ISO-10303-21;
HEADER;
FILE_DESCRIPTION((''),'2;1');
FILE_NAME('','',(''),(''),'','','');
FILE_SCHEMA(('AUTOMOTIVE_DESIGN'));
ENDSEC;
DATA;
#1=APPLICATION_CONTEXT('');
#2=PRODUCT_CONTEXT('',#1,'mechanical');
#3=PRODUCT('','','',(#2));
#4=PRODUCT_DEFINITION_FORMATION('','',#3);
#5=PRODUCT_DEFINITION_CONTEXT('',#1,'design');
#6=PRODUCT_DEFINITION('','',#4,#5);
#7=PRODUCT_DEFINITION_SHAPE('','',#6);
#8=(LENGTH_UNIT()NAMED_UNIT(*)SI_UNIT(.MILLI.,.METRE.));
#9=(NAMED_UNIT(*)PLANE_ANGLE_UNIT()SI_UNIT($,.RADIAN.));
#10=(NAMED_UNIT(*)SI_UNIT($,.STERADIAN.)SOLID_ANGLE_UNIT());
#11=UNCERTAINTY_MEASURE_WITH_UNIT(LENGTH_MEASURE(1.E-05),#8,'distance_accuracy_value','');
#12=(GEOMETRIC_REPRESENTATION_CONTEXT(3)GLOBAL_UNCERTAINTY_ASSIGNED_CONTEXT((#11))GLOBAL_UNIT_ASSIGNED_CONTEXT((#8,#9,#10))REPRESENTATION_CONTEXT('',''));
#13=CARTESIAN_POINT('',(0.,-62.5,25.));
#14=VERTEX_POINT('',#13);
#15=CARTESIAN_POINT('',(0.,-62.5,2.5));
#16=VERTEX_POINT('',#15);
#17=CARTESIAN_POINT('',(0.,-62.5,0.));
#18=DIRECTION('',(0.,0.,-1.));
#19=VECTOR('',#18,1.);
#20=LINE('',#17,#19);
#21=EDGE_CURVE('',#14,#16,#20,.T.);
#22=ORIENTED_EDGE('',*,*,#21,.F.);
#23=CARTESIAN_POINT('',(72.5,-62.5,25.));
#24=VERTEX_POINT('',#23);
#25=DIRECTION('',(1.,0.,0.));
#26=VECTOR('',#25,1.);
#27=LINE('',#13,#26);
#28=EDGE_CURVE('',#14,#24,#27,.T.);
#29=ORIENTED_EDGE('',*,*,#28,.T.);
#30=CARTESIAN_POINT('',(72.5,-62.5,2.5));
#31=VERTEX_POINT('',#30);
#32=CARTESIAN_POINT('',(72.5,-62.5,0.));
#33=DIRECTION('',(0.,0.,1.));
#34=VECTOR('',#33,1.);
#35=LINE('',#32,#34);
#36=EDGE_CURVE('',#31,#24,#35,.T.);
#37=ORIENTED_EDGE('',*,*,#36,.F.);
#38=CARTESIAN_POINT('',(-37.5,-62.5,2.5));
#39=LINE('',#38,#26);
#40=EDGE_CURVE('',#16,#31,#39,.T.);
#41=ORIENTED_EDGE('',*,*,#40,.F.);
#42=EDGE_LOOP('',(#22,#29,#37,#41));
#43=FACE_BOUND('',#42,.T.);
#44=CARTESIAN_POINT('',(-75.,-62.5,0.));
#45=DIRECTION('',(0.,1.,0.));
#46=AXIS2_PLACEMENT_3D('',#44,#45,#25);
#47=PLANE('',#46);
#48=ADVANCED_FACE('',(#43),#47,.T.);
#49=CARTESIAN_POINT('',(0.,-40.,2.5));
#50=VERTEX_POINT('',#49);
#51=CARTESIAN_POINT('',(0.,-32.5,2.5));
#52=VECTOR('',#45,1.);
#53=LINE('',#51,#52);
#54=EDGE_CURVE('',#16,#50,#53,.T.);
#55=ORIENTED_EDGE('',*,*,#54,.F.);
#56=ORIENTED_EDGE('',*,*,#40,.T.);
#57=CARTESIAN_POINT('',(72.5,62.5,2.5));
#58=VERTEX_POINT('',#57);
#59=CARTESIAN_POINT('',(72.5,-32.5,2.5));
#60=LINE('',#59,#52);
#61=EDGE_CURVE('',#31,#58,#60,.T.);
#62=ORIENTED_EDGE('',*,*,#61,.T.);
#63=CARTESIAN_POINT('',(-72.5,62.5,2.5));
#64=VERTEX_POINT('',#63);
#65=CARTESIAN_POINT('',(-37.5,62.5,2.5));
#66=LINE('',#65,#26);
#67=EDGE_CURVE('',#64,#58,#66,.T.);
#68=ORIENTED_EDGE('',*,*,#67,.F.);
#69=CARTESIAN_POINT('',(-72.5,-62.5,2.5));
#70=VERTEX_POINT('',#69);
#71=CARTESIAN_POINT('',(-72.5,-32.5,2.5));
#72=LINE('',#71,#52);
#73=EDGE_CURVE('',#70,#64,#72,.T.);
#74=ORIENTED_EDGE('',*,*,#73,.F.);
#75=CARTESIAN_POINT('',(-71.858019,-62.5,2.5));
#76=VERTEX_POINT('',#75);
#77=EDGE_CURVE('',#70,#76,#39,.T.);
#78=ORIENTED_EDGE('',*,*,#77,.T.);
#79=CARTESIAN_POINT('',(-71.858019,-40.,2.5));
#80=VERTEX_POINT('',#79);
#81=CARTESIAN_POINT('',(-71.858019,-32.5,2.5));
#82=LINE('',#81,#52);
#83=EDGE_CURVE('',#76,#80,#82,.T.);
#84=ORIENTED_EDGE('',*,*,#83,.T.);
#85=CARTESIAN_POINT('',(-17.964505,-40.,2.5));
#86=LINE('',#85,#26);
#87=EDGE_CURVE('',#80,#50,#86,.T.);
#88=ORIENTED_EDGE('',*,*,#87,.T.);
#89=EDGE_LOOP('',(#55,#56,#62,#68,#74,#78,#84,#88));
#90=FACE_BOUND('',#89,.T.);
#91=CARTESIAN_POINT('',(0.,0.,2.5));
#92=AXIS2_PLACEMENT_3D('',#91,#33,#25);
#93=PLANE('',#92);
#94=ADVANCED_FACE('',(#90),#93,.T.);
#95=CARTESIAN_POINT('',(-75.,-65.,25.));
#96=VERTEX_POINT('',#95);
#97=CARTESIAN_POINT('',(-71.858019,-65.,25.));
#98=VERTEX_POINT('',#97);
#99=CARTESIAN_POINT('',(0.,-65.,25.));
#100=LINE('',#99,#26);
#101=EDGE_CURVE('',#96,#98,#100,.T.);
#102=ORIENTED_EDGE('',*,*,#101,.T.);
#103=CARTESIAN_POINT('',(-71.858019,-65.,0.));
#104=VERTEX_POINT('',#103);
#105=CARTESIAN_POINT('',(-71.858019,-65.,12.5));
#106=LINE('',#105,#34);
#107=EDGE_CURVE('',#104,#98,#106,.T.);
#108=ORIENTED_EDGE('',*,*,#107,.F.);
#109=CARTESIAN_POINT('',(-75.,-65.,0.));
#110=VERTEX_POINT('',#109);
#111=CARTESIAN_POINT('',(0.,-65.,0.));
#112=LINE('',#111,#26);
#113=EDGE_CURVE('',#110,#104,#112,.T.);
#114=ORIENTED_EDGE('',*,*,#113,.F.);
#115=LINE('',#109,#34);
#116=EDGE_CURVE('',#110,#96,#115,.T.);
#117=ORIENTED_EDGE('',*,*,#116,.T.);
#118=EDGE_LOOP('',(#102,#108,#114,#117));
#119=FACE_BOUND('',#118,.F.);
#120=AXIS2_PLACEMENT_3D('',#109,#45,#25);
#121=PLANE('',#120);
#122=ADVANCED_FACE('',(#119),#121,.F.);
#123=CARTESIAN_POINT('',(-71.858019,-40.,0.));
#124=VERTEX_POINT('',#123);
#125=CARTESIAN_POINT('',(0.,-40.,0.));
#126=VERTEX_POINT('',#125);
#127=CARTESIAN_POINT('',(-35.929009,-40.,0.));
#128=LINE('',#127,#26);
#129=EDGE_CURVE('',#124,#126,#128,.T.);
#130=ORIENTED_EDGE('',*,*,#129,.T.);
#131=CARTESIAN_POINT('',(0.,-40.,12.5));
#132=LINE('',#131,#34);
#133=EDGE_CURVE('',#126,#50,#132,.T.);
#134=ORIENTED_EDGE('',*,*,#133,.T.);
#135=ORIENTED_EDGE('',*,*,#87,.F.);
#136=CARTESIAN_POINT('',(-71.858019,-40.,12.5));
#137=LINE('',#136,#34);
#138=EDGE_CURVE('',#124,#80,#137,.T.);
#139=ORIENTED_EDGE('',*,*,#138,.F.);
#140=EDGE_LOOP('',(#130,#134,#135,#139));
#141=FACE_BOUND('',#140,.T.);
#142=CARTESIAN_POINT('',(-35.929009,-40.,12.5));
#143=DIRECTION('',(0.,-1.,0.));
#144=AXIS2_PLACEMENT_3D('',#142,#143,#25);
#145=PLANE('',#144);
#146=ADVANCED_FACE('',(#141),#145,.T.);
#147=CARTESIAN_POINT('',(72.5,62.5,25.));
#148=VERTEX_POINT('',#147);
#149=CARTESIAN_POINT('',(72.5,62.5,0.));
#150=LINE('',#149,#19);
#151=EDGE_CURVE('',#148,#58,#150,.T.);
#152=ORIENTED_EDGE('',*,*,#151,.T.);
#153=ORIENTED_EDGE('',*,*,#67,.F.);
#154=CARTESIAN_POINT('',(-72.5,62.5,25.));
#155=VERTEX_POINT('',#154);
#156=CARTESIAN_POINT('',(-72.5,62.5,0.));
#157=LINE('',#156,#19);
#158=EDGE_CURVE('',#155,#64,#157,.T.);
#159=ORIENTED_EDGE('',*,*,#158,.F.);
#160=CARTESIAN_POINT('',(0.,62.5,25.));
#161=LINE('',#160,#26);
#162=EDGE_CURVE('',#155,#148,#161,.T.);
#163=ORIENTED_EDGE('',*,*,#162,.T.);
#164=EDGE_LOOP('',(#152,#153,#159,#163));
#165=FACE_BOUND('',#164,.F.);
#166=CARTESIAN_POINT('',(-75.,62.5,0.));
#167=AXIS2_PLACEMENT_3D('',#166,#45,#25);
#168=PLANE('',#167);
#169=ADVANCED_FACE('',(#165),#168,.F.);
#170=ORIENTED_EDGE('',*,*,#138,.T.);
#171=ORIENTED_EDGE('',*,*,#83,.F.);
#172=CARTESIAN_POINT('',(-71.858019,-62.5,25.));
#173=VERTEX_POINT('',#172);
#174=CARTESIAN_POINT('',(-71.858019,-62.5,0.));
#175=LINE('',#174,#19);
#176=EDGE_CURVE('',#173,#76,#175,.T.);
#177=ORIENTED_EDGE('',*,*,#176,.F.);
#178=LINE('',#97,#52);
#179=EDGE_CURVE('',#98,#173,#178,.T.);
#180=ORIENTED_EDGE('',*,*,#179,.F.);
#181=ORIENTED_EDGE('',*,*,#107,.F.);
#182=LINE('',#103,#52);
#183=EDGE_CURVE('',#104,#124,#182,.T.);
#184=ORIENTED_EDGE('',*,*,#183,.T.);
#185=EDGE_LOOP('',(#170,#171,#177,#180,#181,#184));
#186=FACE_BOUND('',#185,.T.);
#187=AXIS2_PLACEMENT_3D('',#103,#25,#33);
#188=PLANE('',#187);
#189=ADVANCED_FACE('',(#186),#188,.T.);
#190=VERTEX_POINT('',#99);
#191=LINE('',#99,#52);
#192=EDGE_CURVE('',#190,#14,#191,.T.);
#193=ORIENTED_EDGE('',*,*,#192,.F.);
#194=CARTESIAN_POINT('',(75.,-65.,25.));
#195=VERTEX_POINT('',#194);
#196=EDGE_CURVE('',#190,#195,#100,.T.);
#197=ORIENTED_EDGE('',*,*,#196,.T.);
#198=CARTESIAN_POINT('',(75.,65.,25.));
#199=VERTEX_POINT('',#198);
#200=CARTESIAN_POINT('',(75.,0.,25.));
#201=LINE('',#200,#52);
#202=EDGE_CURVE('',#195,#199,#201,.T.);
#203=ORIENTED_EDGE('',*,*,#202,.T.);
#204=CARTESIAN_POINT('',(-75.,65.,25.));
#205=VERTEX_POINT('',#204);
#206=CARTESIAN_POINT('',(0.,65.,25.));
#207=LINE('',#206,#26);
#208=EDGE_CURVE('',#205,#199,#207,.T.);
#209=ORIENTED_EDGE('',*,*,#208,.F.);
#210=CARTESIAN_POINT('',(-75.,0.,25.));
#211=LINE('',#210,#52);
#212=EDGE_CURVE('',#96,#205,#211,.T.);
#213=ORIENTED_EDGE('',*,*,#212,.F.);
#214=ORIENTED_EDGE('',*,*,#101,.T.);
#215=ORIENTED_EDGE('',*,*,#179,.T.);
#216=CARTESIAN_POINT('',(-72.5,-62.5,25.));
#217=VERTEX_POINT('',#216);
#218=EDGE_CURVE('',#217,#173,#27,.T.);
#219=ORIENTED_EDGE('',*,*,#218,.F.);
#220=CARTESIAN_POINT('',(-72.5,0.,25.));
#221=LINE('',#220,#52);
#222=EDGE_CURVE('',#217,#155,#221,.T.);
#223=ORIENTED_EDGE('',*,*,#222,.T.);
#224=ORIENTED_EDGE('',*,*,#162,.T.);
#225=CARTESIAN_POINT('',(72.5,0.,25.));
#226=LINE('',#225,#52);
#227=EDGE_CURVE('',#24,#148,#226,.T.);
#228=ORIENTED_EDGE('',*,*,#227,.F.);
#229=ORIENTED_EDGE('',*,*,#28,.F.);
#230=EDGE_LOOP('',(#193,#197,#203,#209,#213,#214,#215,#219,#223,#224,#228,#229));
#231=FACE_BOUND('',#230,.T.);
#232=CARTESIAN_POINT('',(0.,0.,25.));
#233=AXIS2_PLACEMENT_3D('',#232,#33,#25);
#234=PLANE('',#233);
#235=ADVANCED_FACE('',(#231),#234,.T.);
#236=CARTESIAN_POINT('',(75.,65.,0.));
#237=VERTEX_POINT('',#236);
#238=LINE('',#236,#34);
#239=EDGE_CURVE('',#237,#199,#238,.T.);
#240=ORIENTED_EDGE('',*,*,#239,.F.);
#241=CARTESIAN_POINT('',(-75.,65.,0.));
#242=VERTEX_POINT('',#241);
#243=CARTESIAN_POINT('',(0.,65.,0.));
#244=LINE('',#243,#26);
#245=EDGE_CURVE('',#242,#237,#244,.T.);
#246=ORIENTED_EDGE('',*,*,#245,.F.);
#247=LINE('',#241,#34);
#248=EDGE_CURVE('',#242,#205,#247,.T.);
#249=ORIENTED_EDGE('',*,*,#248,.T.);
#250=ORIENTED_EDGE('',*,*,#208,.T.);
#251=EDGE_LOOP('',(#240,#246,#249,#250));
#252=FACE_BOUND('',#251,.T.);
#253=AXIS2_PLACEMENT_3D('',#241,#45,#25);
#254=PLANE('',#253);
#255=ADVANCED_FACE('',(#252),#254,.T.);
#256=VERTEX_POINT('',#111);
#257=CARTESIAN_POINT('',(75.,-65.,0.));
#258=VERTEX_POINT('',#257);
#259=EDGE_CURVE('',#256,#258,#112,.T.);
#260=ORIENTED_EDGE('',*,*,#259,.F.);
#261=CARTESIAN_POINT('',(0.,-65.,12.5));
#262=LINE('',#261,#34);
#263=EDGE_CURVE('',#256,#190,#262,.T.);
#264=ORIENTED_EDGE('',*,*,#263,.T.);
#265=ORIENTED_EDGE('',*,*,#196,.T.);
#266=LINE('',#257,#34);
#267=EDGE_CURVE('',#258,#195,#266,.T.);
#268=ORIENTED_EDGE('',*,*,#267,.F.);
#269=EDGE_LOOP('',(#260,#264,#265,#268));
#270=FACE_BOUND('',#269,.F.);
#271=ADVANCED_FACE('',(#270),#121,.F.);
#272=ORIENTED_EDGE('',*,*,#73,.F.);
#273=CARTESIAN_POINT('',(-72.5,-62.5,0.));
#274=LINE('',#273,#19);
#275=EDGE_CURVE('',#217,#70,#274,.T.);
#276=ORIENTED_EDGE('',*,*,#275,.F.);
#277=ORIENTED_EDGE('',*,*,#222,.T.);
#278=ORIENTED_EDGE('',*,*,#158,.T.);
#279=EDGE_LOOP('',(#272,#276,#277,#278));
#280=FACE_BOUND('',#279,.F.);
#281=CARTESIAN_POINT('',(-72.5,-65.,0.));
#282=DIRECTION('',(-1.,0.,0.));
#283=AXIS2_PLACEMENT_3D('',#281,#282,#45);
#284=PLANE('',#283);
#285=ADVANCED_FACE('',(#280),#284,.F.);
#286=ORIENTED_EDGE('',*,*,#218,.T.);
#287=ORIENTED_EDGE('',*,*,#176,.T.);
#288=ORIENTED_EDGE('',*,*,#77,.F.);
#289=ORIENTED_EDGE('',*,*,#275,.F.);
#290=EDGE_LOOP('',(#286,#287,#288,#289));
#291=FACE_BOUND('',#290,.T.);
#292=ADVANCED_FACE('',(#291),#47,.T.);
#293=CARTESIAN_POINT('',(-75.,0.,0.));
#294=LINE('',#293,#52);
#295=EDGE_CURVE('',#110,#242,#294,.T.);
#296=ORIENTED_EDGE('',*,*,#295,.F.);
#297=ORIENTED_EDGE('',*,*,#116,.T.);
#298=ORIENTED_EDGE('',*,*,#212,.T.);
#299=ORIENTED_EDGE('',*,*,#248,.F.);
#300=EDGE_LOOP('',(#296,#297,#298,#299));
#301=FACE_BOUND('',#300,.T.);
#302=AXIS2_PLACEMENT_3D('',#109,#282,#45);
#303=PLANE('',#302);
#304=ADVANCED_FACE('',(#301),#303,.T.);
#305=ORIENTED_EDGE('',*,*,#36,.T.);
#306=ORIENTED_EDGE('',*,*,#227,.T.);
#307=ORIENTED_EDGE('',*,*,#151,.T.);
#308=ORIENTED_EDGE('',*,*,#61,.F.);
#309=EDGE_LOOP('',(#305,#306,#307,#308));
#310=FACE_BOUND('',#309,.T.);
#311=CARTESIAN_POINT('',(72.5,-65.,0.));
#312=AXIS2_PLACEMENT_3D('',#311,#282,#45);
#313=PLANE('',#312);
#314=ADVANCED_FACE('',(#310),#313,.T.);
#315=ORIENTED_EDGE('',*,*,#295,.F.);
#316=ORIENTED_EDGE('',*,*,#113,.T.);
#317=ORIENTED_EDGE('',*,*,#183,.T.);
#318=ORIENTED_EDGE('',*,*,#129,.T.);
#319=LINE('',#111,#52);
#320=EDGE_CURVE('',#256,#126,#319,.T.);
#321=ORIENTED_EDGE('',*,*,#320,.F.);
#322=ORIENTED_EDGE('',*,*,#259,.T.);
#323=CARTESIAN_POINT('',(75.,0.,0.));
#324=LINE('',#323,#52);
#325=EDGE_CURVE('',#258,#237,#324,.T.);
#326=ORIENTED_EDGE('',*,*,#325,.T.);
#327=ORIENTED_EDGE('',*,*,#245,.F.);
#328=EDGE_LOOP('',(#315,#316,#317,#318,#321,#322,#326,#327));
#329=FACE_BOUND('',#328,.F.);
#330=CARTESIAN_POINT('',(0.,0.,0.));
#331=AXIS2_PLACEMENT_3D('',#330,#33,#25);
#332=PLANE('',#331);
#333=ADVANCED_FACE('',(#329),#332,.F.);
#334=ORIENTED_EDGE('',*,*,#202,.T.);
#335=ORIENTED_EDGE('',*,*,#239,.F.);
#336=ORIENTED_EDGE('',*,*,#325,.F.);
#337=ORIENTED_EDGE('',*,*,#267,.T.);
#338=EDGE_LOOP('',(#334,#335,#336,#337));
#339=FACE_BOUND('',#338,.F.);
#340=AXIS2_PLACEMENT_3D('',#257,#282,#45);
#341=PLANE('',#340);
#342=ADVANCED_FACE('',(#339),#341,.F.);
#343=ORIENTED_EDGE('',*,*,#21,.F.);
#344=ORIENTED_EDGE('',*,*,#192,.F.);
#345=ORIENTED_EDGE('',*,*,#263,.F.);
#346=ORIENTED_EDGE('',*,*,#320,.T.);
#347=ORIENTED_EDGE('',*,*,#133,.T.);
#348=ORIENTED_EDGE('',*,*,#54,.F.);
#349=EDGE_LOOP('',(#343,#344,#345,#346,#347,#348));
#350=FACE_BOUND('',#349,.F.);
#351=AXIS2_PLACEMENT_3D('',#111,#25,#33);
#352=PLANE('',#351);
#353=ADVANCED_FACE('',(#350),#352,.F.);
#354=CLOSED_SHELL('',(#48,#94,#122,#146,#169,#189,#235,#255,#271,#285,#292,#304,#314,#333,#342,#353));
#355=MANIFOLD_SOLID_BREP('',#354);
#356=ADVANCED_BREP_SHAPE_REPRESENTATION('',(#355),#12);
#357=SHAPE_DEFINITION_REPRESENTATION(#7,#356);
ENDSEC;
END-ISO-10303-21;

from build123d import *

# Parameters (mm, degrees)
F0_W     = 150
F0_H     = 130
F1_DEPTH = 25
F2_T     = -2.5
F3_W     = 71.858019
F3_H     = 25
F4_DEPTH = 25


with BuildPart() as f1:
    # F0 (on Top) → F1 (new body)
    with BuildSketch(Plane.XY):
        Rectangle(F0_W, F0_H)
    extrude(amount=F1_DEPTH)

    # F2
    f2_openings = [f1.faces().sort_by_distance(p)[0] for p in [
        (0, 0, 25),
    ]]
    offset(amount=F2_T, openings=f2_openings)

    # F3 (on face) → F4 (cut)
    with BuildSketch(Plane.XZ.offset(65)):
        with Locations((-35.929009, 12.5)):
            Rectangle(F3_W, F3_H)
    extrude(amount=-F4_DEPTH, mode=Mode.SUBTRACT)


solid = f1.part
